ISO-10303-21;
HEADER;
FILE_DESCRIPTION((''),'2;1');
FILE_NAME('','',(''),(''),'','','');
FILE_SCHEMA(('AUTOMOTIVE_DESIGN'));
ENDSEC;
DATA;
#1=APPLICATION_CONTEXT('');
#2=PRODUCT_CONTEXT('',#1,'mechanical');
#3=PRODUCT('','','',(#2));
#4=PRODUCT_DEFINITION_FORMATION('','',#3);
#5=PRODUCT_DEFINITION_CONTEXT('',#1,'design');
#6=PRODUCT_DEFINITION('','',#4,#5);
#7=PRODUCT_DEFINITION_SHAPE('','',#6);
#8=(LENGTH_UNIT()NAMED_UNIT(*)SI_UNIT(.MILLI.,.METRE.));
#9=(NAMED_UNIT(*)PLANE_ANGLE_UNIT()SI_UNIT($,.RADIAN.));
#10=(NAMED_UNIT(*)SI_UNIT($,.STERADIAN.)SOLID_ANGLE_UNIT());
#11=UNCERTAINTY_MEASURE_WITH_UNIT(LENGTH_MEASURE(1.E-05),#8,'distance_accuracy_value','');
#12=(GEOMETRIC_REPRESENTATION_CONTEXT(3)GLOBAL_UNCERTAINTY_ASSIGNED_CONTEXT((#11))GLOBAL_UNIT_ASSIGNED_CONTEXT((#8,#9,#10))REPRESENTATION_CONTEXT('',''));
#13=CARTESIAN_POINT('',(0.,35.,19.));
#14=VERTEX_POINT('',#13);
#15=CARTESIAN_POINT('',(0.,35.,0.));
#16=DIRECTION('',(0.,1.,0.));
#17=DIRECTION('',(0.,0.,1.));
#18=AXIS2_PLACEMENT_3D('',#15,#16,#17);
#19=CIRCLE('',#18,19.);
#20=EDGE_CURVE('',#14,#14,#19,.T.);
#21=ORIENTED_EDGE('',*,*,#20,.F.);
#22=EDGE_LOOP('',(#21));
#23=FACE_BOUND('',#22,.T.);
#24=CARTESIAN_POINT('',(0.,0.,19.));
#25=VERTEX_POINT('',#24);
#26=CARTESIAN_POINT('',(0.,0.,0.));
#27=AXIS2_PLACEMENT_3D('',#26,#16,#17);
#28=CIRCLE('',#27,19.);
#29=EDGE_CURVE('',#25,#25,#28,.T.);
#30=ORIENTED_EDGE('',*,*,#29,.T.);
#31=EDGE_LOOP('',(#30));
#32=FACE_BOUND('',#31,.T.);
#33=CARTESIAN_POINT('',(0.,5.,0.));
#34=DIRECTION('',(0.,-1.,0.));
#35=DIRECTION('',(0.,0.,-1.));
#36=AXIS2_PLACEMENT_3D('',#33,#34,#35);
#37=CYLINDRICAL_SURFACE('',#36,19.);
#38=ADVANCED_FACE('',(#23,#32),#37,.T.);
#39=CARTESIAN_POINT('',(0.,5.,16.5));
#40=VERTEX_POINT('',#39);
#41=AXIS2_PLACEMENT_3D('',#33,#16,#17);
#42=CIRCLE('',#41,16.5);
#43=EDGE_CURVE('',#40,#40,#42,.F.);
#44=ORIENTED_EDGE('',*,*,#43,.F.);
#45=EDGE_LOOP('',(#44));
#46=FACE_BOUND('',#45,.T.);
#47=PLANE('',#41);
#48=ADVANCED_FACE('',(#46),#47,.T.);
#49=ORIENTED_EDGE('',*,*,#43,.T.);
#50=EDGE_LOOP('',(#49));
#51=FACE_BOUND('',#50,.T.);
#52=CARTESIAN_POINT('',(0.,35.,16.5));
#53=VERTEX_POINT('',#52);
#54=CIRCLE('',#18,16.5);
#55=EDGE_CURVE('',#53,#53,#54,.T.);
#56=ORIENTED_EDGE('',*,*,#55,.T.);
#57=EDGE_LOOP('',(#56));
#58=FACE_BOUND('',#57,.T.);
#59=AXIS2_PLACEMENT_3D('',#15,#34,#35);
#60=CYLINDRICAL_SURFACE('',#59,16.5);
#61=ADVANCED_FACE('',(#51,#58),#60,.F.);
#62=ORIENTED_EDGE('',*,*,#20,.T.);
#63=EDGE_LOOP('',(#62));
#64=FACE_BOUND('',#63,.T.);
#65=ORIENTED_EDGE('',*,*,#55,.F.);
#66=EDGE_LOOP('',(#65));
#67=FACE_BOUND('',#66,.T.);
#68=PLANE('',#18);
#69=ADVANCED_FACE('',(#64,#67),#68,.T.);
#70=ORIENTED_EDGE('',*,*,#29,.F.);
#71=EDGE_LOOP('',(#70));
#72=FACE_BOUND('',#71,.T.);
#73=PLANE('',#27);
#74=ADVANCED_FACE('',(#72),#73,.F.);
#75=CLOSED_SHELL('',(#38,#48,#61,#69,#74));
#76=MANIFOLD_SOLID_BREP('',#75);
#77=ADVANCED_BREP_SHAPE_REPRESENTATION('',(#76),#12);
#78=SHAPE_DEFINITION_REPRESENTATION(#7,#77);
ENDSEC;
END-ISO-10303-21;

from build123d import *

# Parameters (mm, degrees)
SKETCH_1_R      = 19
EXTRUDE_1_DEPTH = 5
SKETCH_2_R      = 19
SKETCH_2_R_2    = 16.5
EXTRUDE_2_DEPTH = 30


with BuildPart() as part:
    # Эскиз1 → Бобышка-Вытянуть1 (new body)
    with BuildSketch(Plane(origin=(0, 0, 0), x_dir=(1, 0, 0), z_dir=(0, 1, 0))):
        with Locations(Location((0, 0, 0), (0, 0, 270))):
            Circle(SKETCH_1_R)
    extrude(amount=EXTRUDE_1_DEPTH)

    # Эскиз2 → Бобышка-Вытянуть2 (add)
    with BuildSketch(Plane(origin=(0, 5, 0), x_dir=(1, 0, 0), z_dir=(0, 1, 0))):
        with Locations(Location((0, 0, 0), (0, 0, 270))):
            Circle(SKETCH_2_R)
        with Locations(Location((0, 0, 0), (0, 0, 270))):
            Circle(SKETCH_2_R_2, mode=Mode.SUBTRACT)
    extrude(amount=EXTRUDE_2_DEPTH)


solid = part.part
